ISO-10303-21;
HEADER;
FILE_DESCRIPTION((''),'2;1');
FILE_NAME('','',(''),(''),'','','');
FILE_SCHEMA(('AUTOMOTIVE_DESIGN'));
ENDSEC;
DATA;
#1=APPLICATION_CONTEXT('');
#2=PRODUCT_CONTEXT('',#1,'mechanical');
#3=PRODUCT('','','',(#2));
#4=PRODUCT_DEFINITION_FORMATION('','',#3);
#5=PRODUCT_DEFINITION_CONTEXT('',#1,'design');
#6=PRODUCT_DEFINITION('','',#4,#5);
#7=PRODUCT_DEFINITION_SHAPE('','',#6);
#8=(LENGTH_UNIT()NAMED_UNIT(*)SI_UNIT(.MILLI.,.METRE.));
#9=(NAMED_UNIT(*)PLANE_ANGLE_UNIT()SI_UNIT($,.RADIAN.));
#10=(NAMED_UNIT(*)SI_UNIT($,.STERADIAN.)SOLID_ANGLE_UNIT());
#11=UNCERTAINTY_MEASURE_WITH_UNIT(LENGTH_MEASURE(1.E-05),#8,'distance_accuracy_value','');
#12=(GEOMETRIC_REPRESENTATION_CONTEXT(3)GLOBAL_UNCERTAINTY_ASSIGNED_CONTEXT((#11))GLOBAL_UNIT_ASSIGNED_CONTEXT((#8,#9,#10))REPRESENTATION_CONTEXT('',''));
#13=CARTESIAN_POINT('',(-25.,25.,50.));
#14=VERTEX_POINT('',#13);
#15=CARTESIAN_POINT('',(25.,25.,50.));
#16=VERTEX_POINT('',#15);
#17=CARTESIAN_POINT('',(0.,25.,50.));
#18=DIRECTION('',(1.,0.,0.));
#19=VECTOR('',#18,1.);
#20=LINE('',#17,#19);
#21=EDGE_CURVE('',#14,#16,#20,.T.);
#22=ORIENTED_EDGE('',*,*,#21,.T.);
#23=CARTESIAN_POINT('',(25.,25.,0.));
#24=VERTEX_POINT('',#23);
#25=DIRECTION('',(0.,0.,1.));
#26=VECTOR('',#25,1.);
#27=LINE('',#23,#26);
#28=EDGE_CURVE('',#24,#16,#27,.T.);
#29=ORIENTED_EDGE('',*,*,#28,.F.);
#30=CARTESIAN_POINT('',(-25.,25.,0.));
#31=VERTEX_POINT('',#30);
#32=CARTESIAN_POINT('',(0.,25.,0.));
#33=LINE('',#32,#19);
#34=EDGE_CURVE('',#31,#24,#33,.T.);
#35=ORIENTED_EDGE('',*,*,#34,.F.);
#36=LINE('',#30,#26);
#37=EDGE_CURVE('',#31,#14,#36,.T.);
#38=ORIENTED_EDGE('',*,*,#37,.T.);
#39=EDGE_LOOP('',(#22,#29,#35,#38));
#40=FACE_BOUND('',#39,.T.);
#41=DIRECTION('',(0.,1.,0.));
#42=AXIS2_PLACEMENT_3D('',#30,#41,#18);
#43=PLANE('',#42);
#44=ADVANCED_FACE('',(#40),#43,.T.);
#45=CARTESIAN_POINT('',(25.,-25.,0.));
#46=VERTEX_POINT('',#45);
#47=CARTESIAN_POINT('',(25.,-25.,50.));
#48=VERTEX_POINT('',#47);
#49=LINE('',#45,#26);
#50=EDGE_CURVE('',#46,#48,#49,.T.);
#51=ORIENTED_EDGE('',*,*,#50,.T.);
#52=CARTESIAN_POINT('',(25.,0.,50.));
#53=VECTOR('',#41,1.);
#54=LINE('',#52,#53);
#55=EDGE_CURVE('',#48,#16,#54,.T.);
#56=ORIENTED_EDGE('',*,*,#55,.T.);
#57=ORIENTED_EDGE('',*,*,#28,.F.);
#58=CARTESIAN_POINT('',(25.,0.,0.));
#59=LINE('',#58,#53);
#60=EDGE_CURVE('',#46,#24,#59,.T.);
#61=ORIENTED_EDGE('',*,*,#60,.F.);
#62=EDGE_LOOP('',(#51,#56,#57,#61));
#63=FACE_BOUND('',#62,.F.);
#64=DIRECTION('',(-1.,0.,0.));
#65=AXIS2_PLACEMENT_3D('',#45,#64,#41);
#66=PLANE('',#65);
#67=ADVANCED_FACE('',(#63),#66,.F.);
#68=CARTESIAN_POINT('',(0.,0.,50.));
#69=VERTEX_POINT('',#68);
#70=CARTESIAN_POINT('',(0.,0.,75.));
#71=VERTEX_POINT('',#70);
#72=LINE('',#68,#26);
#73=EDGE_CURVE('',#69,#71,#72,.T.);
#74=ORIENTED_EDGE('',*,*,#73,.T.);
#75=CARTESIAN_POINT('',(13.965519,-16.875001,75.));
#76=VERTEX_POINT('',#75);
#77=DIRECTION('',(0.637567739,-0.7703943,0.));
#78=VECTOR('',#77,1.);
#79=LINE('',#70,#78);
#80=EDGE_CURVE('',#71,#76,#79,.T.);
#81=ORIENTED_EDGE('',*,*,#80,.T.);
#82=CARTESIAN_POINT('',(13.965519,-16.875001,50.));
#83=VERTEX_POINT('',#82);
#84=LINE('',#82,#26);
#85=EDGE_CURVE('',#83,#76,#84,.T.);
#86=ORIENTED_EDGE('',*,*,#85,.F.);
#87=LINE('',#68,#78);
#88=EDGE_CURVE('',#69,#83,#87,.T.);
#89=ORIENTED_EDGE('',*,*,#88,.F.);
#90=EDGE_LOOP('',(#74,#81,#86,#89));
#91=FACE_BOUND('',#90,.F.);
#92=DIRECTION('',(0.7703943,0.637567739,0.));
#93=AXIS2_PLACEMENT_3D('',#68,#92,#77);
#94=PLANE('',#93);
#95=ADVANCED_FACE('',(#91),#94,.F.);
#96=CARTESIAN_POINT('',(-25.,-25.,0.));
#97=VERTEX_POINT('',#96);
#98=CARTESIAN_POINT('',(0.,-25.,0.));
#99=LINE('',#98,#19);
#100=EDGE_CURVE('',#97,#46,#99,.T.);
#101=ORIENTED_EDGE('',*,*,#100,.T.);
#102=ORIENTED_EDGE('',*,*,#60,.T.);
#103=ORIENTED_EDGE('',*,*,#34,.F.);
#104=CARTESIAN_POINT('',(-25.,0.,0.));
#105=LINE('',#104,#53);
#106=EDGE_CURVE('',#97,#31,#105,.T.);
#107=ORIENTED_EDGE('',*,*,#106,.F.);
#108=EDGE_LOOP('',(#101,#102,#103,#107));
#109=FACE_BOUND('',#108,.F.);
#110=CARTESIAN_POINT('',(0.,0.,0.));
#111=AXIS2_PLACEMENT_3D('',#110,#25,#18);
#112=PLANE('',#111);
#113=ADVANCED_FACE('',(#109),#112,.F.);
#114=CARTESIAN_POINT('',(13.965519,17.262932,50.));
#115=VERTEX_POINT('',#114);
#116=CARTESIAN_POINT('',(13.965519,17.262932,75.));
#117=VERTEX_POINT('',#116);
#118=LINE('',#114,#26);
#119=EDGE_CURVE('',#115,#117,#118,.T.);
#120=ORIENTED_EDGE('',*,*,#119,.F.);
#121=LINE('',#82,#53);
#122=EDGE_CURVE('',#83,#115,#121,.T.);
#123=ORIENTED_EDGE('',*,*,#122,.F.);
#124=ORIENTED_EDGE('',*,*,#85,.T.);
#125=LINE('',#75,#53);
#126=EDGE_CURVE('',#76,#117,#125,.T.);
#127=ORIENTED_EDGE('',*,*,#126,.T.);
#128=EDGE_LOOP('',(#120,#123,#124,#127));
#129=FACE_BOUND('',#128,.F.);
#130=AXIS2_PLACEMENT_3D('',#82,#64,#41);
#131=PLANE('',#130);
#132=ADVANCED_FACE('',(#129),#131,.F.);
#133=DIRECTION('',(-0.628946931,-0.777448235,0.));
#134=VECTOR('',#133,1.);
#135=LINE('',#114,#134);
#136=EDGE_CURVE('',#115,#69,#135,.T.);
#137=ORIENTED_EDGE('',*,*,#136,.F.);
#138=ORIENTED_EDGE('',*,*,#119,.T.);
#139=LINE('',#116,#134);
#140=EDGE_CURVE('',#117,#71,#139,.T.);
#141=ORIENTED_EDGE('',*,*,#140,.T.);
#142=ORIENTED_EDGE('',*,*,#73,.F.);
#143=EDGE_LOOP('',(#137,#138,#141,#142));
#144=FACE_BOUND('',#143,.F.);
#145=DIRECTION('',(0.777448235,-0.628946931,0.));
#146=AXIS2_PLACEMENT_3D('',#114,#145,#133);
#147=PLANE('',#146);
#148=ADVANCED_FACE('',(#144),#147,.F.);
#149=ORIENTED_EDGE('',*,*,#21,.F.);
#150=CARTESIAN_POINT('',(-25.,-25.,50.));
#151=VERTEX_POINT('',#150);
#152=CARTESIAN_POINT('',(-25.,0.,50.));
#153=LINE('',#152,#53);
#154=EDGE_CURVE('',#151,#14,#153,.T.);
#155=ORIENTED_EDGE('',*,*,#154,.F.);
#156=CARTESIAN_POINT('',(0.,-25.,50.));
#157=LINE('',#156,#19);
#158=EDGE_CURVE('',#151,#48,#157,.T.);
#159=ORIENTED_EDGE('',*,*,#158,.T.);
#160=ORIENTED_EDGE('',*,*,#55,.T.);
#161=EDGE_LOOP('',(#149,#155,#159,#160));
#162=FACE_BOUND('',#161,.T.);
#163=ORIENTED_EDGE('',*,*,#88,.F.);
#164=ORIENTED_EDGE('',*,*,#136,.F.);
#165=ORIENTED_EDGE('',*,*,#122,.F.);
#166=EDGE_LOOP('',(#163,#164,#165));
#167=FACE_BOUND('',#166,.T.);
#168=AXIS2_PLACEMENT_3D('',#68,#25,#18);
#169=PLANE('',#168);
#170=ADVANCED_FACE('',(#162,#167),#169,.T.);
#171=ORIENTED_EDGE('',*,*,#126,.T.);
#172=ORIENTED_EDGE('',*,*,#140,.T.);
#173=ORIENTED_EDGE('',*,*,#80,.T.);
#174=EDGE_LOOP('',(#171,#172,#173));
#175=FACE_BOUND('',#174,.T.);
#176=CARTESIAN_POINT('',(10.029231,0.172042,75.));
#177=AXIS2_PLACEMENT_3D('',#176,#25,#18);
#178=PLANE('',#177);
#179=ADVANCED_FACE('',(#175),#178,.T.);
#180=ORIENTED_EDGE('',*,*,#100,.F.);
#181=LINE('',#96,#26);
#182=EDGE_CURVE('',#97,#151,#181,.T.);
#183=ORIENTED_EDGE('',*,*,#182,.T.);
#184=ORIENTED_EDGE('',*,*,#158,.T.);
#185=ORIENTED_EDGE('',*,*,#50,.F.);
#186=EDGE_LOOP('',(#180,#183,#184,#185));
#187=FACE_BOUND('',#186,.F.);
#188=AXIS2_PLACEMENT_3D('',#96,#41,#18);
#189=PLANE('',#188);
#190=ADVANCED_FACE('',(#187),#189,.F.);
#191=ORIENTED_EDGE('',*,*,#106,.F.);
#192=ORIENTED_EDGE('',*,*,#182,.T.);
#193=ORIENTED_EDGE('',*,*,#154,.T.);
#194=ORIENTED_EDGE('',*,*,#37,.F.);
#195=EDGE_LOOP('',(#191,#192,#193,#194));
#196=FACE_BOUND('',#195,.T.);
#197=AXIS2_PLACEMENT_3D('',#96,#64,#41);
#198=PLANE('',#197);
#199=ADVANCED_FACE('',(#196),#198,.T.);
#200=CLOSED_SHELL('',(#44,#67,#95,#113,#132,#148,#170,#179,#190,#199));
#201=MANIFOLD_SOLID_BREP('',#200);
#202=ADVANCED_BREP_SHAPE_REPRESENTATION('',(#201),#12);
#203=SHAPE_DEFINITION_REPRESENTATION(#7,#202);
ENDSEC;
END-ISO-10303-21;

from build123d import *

# Parameters (mm, degrees)
F0_W     = 50
F0_H     = 50
F1_DEPTH = 50
F3_DEPTH = 25


with BuildPart() as f1:
    # F0 (on Top) → F1 (new body)
    with BuildSketch(Plane.XY):
        Rectangle(F0_W, F0_H)
    extrude(amount=F1_DEPTH)

    # F2 (on face) → F3 (join)
    with BuildSketch(Plane.XY.offset(50)):
        Polygon((13.965519, 17.262932), (0, 0), (13.965519, -16.875001), align=None)
    extrude(amount=F3_DEPTH)


solid = f1.part
